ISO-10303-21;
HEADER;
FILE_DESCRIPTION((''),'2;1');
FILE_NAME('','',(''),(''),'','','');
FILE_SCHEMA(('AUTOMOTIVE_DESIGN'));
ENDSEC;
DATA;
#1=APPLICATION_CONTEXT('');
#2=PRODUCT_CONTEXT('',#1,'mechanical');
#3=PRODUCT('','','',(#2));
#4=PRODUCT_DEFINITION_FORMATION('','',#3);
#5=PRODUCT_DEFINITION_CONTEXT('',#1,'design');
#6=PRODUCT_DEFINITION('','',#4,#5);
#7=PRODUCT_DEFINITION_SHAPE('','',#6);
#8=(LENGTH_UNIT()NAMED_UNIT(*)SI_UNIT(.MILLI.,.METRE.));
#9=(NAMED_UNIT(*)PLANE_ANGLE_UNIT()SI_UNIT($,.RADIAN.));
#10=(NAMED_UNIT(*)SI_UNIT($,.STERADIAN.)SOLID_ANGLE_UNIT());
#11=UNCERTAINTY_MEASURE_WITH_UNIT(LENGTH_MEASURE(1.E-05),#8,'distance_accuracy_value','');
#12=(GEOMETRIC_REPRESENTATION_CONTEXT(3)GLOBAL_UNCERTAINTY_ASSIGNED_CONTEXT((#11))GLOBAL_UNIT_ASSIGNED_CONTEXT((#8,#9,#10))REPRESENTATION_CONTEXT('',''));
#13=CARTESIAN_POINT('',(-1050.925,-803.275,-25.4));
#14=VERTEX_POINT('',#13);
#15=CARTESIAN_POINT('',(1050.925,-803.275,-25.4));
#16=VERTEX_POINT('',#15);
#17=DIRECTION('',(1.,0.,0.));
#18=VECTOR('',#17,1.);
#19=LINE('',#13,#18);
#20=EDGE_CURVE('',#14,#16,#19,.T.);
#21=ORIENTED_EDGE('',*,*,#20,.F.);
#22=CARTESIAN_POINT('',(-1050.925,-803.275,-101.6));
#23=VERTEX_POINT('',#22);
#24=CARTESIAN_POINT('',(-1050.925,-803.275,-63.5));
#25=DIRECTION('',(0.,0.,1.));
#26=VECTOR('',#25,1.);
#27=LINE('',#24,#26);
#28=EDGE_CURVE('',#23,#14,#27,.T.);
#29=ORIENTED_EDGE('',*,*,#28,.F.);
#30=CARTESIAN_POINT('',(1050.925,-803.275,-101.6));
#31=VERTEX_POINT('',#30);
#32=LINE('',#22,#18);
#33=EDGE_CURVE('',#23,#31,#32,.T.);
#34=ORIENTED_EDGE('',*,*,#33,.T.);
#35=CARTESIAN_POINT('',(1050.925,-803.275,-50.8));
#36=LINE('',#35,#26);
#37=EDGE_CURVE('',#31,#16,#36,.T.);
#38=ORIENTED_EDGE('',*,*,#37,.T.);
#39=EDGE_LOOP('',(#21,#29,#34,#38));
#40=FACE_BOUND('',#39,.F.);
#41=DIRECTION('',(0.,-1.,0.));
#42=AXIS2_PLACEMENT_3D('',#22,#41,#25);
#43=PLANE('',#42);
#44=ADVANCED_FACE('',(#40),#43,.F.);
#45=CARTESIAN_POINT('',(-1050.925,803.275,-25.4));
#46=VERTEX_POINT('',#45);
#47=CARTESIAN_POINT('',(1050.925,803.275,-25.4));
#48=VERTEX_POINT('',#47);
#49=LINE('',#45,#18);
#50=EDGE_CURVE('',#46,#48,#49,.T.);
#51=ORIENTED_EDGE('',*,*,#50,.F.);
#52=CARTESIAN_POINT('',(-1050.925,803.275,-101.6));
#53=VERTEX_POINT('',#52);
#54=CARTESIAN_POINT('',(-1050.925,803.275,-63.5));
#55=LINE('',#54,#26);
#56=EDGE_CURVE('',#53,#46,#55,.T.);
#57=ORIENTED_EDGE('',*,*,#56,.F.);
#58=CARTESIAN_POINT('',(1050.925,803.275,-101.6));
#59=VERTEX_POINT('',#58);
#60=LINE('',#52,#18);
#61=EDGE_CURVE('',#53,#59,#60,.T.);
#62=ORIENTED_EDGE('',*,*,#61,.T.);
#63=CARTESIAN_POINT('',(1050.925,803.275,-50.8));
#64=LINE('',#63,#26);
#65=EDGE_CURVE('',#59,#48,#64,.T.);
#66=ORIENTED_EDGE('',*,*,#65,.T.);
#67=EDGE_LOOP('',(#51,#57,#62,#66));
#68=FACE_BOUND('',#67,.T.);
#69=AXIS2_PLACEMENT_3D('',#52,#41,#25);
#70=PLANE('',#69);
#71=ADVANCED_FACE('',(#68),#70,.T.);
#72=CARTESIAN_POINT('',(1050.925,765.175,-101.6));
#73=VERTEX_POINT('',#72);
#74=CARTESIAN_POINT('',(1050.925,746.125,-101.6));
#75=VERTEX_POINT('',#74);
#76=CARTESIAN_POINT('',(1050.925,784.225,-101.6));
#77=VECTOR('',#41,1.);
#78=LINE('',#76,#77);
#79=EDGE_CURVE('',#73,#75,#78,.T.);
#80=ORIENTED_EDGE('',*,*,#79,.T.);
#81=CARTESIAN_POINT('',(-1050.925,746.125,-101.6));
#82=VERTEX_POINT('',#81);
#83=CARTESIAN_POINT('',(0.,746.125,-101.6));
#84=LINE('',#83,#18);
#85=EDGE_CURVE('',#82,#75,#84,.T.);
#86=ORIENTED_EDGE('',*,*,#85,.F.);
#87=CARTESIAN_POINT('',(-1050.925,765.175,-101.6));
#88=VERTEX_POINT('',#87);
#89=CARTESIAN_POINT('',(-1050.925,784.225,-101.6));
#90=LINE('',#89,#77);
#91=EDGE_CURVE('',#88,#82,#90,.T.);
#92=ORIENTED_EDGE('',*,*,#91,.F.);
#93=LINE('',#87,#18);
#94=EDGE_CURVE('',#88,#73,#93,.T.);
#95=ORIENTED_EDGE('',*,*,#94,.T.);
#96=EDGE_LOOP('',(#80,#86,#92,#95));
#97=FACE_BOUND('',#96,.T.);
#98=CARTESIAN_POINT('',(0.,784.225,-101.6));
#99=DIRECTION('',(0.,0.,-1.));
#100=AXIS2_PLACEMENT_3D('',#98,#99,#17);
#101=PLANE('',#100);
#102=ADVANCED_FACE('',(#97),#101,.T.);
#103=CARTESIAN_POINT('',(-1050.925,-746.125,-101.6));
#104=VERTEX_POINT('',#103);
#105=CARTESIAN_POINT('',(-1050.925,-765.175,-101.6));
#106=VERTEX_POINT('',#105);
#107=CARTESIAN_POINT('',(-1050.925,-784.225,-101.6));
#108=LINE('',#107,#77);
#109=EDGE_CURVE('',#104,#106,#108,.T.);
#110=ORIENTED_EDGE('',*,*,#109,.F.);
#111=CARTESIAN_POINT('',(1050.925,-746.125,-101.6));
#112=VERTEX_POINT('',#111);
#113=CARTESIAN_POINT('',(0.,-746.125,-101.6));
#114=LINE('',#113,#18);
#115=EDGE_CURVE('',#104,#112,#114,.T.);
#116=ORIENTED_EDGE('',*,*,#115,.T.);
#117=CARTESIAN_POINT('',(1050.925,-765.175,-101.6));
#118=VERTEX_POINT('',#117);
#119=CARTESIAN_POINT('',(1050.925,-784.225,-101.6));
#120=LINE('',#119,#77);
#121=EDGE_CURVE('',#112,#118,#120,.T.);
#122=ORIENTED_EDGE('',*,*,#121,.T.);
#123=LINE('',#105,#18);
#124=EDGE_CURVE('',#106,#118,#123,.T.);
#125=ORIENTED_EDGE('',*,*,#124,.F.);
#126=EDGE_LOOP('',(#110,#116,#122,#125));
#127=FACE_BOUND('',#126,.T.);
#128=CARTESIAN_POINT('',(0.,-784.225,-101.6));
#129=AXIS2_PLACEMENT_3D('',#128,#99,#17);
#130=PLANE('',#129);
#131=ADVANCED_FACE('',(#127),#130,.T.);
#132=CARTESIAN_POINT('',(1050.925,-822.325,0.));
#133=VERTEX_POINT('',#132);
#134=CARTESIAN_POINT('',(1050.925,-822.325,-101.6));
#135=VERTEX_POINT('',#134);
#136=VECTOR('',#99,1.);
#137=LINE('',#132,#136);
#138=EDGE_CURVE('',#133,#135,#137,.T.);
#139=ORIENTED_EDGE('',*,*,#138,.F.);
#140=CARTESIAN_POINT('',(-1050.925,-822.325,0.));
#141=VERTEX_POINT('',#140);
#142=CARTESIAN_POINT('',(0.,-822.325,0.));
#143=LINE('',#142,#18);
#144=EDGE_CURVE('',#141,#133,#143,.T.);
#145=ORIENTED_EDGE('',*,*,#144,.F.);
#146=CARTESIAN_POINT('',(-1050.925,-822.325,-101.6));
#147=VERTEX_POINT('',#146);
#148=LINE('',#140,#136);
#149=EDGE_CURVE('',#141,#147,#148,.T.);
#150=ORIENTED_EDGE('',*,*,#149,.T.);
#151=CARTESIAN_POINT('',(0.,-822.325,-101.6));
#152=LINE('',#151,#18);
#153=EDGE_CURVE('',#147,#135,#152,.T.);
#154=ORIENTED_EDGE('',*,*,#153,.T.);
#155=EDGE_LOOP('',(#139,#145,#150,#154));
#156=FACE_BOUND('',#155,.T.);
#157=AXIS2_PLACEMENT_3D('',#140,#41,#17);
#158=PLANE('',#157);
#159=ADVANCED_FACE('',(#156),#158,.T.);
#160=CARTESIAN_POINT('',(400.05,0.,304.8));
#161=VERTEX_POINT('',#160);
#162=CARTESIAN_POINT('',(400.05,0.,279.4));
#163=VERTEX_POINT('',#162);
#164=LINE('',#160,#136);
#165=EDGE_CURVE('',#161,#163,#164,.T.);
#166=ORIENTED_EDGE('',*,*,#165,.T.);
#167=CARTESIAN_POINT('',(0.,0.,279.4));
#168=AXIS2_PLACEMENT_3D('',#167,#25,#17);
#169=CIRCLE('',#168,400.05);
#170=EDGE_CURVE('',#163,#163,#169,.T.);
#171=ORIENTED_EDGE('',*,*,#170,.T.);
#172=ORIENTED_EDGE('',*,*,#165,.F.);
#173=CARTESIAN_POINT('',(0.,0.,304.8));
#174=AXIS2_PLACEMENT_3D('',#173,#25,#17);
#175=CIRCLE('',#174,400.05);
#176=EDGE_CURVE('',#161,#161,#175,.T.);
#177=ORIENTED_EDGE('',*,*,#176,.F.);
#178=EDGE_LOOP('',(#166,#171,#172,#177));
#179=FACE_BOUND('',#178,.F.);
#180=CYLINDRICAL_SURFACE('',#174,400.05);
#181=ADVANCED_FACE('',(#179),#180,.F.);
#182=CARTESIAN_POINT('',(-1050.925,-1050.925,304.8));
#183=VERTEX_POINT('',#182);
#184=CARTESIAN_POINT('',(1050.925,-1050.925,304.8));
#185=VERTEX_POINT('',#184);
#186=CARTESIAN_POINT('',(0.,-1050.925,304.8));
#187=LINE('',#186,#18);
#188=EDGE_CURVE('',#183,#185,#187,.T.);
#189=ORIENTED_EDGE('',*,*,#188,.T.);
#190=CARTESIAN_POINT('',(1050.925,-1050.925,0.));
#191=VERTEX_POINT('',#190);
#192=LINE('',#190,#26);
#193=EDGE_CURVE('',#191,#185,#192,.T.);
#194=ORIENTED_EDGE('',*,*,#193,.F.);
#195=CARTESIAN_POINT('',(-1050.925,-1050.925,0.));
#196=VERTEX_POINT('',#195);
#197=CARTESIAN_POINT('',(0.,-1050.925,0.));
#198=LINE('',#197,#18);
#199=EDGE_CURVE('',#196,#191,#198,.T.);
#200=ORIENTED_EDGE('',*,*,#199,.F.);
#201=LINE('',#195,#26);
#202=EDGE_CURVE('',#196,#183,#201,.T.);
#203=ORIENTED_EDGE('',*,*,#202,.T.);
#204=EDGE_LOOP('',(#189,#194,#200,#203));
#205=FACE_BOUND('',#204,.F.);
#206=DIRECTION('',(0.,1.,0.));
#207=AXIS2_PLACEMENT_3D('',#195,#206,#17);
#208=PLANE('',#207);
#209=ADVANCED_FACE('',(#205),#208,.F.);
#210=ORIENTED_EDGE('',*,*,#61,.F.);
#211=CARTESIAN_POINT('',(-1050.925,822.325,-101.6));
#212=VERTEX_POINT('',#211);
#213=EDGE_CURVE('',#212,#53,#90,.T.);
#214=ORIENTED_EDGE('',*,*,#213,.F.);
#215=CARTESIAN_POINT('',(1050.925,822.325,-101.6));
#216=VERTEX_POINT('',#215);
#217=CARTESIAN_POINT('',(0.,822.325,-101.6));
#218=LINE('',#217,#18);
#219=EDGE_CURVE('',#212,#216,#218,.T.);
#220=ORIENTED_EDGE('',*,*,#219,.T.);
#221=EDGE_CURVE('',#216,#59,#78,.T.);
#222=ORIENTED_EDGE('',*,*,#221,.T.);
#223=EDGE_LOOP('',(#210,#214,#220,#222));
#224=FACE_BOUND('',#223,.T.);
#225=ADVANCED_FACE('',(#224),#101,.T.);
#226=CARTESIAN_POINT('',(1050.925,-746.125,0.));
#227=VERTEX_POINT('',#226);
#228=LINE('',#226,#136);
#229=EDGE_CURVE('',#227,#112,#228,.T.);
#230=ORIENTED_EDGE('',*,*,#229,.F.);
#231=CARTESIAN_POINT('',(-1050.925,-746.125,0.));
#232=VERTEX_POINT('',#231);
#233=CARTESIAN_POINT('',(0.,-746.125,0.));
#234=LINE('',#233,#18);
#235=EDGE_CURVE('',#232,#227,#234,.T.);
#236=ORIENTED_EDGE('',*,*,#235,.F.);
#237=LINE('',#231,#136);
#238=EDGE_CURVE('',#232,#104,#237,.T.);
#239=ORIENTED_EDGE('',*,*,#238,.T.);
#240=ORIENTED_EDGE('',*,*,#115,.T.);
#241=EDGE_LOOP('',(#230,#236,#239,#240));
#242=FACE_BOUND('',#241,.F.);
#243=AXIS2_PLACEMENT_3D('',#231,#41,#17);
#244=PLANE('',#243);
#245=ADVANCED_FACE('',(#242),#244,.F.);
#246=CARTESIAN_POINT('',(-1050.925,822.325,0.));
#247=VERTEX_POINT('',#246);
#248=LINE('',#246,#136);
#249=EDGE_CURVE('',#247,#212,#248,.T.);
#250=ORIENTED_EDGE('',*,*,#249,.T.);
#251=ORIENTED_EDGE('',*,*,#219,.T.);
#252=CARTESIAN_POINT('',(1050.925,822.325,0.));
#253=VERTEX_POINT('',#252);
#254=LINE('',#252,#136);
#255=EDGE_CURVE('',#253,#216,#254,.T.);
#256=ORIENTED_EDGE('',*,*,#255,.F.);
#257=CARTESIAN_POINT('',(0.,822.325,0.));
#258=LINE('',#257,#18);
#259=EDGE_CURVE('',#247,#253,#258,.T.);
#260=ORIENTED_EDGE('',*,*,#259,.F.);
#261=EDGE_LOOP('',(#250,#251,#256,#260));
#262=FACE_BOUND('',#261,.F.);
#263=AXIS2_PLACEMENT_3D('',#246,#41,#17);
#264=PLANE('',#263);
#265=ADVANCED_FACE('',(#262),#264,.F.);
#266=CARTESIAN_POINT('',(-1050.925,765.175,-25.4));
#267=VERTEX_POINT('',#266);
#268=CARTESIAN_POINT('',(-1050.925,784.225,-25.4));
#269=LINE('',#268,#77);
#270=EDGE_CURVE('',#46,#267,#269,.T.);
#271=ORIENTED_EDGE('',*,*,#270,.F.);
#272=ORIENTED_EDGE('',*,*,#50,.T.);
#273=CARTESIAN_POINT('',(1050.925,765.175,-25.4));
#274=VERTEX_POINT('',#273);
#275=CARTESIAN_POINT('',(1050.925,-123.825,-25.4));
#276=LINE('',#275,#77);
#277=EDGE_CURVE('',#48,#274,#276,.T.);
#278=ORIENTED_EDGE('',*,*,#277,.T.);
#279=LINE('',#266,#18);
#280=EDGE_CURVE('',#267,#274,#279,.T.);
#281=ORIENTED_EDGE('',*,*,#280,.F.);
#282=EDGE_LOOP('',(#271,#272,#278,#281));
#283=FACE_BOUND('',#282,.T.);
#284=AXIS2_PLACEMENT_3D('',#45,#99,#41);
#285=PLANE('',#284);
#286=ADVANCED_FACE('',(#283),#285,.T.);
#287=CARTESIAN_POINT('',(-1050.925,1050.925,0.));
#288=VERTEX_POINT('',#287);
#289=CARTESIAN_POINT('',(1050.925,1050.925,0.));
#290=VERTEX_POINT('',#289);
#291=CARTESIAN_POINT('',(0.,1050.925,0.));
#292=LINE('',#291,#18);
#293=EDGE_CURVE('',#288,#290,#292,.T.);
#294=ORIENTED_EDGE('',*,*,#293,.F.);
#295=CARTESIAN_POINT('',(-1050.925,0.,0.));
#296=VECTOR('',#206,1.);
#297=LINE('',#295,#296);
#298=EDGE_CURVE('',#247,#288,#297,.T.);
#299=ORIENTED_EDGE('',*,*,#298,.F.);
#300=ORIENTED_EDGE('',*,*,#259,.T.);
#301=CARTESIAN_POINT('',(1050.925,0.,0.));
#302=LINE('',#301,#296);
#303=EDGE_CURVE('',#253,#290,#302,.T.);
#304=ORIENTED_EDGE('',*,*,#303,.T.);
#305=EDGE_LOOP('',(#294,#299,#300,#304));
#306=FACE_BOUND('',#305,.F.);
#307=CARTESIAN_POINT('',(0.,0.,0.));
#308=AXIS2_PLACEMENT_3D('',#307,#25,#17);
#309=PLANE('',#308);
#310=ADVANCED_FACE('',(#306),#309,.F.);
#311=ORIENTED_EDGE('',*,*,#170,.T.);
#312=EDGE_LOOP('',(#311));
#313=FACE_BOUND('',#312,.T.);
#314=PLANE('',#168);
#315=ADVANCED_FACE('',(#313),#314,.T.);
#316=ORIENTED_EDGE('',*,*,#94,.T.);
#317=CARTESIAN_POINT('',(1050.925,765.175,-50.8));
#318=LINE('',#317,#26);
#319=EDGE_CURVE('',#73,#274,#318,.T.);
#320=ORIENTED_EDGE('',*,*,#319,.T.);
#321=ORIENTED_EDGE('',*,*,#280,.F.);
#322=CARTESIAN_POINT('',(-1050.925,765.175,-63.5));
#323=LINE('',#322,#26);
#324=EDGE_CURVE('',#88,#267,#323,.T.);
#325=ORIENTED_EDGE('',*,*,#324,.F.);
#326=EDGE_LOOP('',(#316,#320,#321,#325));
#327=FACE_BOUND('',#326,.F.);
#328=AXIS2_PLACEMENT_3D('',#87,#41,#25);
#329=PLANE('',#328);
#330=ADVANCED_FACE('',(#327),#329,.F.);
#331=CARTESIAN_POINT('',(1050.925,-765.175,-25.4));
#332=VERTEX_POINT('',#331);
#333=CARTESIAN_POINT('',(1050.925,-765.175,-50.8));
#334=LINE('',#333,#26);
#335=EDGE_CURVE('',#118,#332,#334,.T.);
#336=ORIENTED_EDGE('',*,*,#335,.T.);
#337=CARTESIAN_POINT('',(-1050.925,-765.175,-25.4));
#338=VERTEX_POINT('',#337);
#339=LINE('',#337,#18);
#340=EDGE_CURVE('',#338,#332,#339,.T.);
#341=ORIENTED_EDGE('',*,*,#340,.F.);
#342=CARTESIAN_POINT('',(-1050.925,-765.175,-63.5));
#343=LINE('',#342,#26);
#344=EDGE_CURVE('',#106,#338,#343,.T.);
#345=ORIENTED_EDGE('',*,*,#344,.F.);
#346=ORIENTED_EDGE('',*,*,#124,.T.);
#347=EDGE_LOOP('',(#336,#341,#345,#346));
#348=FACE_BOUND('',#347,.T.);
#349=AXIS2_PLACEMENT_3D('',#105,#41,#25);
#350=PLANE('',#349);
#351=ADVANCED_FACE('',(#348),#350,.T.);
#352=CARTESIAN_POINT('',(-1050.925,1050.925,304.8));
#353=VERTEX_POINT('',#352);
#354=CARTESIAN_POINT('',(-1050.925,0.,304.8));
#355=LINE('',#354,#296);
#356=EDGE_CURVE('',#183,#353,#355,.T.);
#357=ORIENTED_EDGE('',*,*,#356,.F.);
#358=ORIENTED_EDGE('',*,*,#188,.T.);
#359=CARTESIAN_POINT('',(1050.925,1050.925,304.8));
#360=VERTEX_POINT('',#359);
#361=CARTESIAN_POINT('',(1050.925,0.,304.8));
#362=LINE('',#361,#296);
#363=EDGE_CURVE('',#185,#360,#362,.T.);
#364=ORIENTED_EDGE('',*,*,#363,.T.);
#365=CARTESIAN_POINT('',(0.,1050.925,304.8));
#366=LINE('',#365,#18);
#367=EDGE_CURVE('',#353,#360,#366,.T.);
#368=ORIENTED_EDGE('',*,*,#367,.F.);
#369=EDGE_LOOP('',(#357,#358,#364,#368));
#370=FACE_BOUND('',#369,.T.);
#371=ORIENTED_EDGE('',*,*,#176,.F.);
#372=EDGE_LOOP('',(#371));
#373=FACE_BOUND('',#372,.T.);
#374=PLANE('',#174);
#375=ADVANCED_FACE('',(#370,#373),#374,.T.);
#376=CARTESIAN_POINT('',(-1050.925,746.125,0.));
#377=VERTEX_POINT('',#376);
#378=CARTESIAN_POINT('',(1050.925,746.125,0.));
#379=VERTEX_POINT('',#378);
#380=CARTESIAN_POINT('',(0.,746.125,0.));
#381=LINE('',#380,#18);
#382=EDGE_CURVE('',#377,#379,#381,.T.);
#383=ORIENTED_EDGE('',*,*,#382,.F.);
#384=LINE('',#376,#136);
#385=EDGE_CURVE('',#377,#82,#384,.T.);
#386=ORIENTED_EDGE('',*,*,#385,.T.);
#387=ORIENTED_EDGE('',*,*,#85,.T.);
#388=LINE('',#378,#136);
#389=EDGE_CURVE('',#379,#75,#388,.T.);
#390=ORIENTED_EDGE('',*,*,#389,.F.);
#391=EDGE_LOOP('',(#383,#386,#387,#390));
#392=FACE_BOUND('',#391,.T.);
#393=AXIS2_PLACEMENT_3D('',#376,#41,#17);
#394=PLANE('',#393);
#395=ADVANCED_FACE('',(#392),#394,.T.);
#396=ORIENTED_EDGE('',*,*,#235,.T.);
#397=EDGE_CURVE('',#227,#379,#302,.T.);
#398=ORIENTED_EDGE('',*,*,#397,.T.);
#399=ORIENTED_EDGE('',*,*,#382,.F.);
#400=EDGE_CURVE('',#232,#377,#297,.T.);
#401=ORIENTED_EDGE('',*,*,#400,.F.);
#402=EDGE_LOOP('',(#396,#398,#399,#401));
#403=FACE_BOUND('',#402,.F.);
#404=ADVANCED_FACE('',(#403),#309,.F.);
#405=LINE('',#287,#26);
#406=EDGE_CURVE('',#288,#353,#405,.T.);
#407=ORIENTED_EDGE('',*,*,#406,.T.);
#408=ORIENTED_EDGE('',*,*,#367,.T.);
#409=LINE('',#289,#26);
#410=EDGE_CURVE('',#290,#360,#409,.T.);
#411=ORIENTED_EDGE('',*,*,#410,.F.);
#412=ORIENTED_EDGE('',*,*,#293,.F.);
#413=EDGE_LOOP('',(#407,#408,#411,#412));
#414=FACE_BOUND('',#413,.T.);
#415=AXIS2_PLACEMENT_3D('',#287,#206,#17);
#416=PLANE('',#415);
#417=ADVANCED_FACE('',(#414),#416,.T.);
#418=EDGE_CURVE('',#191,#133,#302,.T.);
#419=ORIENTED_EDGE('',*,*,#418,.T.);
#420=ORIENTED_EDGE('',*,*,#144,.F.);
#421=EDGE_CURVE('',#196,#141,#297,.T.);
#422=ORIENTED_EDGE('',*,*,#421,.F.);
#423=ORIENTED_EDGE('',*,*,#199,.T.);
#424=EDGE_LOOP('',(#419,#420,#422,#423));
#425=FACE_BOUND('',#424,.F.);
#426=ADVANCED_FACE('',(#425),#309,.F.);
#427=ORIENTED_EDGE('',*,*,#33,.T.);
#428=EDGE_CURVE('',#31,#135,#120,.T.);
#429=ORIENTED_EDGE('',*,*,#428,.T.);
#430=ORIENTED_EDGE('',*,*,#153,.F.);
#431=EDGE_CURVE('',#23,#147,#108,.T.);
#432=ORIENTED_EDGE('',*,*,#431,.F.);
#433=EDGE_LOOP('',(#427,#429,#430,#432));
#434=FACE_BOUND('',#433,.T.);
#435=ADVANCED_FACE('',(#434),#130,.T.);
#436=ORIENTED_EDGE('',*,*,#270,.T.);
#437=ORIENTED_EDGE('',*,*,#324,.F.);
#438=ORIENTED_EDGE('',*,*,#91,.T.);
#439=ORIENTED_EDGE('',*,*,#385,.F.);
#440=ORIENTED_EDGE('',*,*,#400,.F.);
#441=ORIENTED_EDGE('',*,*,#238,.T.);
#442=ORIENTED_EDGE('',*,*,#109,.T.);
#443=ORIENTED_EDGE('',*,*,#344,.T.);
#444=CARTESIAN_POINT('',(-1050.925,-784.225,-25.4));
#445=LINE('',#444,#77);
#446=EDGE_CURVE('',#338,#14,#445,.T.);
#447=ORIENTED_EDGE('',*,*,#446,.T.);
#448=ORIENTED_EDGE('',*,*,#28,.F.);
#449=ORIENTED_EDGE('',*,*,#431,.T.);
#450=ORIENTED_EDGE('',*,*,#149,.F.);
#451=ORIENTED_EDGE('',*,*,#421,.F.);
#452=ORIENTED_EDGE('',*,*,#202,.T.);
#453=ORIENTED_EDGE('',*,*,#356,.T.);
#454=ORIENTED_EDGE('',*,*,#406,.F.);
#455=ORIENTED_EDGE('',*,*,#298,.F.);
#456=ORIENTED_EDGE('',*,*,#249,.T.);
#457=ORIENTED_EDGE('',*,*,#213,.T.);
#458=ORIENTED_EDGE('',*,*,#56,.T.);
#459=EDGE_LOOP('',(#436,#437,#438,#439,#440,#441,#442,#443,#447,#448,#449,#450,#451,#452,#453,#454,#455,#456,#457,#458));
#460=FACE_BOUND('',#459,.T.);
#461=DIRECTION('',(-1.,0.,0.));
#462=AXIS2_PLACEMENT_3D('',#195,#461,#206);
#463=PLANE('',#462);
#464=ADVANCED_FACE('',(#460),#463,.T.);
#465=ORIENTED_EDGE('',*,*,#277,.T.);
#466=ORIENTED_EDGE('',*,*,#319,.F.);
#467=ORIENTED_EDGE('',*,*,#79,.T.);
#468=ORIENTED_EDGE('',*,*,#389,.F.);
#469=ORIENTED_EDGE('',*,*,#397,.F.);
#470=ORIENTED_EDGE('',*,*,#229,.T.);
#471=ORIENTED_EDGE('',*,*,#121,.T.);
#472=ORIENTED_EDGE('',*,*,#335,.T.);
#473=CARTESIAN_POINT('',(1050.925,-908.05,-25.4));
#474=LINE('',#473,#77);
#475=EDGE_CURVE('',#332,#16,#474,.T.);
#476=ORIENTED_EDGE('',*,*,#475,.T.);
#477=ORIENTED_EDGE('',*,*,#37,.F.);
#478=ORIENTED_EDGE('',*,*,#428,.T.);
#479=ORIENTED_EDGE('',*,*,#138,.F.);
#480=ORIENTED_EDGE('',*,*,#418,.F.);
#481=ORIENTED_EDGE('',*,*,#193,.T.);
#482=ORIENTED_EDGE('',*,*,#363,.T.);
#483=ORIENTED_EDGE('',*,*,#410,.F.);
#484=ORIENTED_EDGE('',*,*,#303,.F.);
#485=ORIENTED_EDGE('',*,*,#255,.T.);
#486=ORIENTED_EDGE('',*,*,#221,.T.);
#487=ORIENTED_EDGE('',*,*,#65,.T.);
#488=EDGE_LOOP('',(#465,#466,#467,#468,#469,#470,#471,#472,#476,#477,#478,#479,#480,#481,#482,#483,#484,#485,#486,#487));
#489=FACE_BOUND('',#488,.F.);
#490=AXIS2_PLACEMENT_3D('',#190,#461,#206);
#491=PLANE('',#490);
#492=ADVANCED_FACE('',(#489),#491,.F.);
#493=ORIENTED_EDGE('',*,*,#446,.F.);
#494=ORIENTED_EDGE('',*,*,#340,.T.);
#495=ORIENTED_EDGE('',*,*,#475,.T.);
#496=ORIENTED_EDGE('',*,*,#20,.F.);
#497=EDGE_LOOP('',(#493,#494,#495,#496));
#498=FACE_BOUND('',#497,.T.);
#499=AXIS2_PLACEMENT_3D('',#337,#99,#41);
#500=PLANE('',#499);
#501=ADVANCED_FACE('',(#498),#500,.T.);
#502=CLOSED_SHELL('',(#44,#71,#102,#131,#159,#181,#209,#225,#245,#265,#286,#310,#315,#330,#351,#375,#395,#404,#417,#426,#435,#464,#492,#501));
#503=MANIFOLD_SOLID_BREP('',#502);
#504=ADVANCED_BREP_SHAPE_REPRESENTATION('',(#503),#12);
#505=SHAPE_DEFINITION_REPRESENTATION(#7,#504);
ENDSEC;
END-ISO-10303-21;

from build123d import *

# Parameters (mm, degrees)
F0_W     = 2101.85
F0_H     = 2101.85
F1_DEPTH = 304.8
F2_R     = 400.05
F3_DEPTH = 25.4
F4_W     = 2101.85
F4_H     = 76.2
F5_DEPTH = 101.6
F6_W     = 38.1
F6_H     = 76.2
F7_DEPTH = 2101.851


with BuildPart() as f1:
    # F0 (on Top) → F1 (new body)
    with BuildSketch(Plane.XY):
        Rectangle(F0_W, F0_H)
    extrude(amount=F1_DEPTH)

    # F2 (on face) → F3 (cut)
    with BuildSketch(Plane.XY.offset(304.8)):
        Circle(F2_R)
    extrude(amount=-F3_DEPTH, mode=Mode.SUBTRACT)

    # F4 (on face) → F5 (join)
    with BuildSketch(Plane(origin=(0, 0, 0), x_dir=(1, 0, 0), z_dir=(0, 0, -1))):
        with Locations((0, 784.225)):
            Rectangle(F4_W, F4_H)
        with Locations((0, -784.225)):
            Rectangle(F4_W, F4_H)
    extrude(amount=F5_DEPTH)

    # F6 (on face) → F7 (cut, through all)
    with BuildSketch(Plane(origin=(-1050.925, 0, 0), x_dir=(0, -1, 0), z_dir=(-1, 0, 0))):
        with Locations((-784.225, -63.5)):
            Rectangle(F6_W, F6_H)
        with Locations((784.225, -63.5)):
            Rectangle(F6_W, F6_H)
    extrude(amount=-F7_DEPTH, mode=Mode.SUBTRACT)


solid = f1.part
